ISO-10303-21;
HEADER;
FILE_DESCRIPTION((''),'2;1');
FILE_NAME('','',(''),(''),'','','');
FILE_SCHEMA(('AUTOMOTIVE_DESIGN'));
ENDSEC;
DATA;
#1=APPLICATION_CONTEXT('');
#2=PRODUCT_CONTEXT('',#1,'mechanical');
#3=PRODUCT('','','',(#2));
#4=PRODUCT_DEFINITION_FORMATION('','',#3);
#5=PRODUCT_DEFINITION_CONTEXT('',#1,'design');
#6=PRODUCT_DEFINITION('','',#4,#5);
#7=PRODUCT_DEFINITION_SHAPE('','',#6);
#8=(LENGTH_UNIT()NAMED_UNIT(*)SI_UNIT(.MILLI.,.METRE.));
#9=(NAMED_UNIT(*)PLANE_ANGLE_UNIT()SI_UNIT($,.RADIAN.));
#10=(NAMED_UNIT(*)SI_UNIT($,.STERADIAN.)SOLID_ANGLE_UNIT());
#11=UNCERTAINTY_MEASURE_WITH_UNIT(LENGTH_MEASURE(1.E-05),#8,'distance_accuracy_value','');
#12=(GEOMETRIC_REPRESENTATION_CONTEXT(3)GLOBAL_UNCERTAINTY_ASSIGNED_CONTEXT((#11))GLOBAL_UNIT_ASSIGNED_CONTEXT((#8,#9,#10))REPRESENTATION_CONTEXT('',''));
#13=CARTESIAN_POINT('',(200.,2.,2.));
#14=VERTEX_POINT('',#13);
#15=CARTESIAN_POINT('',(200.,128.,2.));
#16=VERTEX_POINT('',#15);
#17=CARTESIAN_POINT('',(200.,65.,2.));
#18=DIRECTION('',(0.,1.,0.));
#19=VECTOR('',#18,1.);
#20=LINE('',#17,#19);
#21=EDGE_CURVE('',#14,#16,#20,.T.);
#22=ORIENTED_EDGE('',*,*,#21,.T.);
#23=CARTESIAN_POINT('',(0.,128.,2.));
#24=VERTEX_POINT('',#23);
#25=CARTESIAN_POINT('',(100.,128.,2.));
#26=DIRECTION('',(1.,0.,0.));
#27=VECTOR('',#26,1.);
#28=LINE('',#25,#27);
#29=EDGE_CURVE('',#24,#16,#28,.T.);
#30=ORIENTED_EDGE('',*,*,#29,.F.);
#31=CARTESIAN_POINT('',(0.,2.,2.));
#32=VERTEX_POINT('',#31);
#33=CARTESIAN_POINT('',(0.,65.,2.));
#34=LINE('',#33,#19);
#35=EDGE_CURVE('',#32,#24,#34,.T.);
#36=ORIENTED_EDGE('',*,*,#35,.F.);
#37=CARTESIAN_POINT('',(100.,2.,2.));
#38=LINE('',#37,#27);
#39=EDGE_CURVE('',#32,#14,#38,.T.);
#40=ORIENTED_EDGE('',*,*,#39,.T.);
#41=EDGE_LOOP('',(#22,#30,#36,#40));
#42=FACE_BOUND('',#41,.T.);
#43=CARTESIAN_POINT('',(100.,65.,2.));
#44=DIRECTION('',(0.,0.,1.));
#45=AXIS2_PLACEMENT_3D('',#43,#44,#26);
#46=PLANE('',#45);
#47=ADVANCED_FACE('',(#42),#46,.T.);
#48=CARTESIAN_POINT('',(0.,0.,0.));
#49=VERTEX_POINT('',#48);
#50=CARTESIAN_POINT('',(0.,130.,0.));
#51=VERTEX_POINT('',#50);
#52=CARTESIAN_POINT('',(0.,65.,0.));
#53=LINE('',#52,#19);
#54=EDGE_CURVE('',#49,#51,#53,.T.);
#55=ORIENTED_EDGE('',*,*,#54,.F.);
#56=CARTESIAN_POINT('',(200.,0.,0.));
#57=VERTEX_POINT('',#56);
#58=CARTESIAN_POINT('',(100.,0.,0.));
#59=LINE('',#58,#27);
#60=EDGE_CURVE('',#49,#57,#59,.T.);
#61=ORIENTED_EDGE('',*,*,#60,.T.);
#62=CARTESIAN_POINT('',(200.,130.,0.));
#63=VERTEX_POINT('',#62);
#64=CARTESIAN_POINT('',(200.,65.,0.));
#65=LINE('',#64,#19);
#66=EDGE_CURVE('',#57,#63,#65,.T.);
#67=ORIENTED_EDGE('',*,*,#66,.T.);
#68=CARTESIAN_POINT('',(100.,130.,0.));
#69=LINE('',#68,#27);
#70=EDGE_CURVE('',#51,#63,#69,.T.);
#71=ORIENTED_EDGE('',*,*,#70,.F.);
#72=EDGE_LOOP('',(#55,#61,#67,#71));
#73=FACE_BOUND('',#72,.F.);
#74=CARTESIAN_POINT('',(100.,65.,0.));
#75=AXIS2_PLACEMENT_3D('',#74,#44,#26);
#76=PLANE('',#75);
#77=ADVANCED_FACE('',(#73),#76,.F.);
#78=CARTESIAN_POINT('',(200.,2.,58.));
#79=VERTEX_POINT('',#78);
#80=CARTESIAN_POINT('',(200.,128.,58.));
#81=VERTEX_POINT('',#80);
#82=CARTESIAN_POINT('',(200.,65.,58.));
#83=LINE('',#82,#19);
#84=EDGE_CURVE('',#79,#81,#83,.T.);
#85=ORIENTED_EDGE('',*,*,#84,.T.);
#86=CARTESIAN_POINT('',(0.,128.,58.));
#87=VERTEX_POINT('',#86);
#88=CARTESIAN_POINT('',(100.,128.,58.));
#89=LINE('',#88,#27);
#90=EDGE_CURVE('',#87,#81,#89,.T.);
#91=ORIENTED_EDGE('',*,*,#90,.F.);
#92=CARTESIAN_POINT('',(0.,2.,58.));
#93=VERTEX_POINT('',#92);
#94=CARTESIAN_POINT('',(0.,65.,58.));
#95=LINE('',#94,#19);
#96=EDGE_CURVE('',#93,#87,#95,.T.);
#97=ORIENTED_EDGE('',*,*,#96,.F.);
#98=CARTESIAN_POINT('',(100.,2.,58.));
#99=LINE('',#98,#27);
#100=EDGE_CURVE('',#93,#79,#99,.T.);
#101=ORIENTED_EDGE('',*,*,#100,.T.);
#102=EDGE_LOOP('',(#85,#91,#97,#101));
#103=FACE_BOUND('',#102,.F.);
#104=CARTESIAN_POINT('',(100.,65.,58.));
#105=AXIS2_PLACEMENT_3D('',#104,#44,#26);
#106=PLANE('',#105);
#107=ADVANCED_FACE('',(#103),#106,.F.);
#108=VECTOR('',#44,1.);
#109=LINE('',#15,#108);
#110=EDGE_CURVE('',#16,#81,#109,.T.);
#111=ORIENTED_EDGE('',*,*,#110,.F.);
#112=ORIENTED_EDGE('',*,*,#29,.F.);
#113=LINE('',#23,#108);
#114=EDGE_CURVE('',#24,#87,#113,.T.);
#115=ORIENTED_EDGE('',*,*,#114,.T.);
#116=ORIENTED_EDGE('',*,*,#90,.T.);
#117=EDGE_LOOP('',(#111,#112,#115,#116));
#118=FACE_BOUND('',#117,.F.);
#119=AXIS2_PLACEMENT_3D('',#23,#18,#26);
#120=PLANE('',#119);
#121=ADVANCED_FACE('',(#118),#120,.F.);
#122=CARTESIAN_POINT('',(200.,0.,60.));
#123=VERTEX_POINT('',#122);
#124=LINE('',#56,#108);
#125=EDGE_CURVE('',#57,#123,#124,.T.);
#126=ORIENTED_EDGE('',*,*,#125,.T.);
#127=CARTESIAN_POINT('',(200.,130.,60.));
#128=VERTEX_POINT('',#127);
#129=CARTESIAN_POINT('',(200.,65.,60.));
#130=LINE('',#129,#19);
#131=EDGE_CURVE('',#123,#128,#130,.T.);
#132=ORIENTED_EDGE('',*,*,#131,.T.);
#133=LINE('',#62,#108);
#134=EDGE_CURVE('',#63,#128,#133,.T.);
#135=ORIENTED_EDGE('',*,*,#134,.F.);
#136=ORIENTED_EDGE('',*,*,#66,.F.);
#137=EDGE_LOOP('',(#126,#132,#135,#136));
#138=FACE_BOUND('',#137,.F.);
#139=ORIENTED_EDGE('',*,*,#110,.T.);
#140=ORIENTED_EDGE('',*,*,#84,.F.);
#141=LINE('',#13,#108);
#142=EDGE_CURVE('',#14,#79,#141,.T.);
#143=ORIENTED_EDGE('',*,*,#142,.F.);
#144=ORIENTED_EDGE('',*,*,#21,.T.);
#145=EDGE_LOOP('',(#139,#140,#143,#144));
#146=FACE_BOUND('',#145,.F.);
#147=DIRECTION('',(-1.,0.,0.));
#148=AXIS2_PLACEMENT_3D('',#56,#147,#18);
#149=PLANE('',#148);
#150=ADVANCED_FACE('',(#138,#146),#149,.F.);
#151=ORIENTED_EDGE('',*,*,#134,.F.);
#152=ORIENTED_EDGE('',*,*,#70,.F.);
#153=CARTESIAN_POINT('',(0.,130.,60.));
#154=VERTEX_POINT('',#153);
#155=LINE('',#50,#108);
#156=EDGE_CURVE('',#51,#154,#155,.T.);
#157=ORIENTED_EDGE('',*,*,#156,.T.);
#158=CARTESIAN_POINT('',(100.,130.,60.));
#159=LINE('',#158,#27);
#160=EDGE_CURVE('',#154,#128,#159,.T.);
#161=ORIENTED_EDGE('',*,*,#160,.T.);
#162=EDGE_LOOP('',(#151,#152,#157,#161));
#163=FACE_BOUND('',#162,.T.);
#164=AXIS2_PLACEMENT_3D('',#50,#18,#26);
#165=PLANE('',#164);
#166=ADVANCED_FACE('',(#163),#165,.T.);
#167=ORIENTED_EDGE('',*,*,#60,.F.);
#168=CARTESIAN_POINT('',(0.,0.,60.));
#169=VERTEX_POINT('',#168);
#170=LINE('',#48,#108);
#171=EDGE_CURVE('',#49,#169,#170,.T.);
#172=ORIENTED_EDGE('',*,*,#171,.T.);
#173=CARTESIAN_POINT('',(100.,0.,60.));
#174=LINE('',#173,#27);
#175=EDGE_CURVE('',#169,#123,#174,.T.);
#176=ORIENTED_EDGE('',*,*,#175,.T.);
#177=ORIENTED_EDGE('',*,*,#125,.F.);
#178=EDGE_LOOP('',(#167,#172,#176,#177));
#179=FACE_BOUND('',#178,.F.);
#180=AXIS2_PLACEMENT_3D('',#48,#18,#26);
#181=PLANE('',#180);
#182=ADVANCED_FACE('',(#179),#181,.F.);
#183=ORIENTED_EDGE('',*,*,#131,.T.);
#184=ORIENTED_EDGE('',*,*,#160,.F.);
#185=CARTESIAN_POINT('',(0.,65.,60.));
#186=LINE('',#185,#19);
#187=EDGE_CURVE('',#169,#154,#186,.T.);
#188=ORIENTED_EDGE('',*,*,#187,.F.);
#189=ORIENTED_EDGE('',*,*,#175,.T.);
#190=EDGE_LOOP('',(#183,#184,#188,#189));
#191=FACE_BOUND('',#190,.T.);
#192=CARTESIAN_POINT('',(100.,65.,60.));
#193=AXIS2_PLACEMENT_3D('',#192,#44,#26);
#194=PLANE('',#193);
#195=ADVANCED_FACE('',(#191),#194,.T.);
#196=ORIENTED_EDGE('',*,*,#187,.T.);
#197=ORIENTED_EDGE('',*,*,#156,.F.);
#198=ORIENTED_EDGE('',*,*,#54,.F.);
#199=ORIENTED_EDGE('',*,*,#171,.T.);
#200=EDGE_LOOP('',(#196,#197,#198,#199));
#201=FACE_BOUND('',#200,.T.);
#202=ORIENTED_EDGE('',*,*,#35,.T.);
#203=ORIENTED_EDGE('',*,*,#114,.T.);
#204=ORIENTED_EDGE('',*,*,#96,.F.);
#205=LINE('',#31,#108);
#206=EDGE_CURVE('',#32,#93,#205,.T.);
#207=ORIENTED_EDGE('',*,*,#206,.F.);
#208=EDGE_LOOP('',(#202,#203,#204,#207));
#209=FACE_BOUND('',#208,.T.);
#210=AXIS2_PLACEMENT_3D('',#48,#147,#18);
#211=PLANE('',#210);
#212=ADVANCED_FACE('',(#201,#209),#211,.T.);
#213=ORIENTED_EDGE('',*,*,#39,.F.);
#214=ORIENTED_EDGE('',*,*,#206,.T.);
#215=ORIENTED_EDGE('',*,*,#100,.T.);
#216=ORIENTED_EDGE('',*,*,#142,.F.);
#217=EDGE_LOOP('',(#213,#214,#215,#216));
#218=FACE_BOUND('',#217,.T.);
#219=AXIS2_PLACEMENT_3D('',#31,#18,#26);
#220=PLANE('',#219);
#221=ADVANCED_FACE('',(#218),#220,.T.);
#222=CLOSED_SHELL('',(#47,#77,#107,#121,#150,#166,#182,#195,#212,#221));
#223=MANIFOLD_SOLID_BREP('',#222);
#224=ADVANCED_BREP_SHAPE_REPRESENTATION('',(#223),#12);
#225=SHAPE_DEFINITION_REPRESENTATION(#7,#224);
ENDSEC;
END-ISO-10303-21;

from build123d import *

# Parameters (mm, degrees)
BOX001_W     = 200
BOX001_H     = 126
BOX001_DEPTH = 56
BOX_W        = 200
BOX_H        = 130
BOX_DEPTH    = 60


with BuildPart() as cube001:
    # Box001 → Box001 (new body)
    with BuildSketch(Plane(origin=(0, 2, 2), x_dir=(1, 0, 0), z_dir=(0, 0, 1))):
        with Locations((100, 63)):
            Rectangle(BOX001_W, BOX001_H)
    extrude(amount=BOX001_DEPTH)


with BuildPart() as box:
    # Box → Box (new body)
    with BuildSketch(Plane.XY):
        with Locations((100, 65)):
            Rectangle(BOX_W, BOX_H)
    extrude(amount=BOX_DEPTH)

    # Cut: cut Cube001
    add(cube001.part, mode=Mode.SUBTRACT)


solid = box.part
